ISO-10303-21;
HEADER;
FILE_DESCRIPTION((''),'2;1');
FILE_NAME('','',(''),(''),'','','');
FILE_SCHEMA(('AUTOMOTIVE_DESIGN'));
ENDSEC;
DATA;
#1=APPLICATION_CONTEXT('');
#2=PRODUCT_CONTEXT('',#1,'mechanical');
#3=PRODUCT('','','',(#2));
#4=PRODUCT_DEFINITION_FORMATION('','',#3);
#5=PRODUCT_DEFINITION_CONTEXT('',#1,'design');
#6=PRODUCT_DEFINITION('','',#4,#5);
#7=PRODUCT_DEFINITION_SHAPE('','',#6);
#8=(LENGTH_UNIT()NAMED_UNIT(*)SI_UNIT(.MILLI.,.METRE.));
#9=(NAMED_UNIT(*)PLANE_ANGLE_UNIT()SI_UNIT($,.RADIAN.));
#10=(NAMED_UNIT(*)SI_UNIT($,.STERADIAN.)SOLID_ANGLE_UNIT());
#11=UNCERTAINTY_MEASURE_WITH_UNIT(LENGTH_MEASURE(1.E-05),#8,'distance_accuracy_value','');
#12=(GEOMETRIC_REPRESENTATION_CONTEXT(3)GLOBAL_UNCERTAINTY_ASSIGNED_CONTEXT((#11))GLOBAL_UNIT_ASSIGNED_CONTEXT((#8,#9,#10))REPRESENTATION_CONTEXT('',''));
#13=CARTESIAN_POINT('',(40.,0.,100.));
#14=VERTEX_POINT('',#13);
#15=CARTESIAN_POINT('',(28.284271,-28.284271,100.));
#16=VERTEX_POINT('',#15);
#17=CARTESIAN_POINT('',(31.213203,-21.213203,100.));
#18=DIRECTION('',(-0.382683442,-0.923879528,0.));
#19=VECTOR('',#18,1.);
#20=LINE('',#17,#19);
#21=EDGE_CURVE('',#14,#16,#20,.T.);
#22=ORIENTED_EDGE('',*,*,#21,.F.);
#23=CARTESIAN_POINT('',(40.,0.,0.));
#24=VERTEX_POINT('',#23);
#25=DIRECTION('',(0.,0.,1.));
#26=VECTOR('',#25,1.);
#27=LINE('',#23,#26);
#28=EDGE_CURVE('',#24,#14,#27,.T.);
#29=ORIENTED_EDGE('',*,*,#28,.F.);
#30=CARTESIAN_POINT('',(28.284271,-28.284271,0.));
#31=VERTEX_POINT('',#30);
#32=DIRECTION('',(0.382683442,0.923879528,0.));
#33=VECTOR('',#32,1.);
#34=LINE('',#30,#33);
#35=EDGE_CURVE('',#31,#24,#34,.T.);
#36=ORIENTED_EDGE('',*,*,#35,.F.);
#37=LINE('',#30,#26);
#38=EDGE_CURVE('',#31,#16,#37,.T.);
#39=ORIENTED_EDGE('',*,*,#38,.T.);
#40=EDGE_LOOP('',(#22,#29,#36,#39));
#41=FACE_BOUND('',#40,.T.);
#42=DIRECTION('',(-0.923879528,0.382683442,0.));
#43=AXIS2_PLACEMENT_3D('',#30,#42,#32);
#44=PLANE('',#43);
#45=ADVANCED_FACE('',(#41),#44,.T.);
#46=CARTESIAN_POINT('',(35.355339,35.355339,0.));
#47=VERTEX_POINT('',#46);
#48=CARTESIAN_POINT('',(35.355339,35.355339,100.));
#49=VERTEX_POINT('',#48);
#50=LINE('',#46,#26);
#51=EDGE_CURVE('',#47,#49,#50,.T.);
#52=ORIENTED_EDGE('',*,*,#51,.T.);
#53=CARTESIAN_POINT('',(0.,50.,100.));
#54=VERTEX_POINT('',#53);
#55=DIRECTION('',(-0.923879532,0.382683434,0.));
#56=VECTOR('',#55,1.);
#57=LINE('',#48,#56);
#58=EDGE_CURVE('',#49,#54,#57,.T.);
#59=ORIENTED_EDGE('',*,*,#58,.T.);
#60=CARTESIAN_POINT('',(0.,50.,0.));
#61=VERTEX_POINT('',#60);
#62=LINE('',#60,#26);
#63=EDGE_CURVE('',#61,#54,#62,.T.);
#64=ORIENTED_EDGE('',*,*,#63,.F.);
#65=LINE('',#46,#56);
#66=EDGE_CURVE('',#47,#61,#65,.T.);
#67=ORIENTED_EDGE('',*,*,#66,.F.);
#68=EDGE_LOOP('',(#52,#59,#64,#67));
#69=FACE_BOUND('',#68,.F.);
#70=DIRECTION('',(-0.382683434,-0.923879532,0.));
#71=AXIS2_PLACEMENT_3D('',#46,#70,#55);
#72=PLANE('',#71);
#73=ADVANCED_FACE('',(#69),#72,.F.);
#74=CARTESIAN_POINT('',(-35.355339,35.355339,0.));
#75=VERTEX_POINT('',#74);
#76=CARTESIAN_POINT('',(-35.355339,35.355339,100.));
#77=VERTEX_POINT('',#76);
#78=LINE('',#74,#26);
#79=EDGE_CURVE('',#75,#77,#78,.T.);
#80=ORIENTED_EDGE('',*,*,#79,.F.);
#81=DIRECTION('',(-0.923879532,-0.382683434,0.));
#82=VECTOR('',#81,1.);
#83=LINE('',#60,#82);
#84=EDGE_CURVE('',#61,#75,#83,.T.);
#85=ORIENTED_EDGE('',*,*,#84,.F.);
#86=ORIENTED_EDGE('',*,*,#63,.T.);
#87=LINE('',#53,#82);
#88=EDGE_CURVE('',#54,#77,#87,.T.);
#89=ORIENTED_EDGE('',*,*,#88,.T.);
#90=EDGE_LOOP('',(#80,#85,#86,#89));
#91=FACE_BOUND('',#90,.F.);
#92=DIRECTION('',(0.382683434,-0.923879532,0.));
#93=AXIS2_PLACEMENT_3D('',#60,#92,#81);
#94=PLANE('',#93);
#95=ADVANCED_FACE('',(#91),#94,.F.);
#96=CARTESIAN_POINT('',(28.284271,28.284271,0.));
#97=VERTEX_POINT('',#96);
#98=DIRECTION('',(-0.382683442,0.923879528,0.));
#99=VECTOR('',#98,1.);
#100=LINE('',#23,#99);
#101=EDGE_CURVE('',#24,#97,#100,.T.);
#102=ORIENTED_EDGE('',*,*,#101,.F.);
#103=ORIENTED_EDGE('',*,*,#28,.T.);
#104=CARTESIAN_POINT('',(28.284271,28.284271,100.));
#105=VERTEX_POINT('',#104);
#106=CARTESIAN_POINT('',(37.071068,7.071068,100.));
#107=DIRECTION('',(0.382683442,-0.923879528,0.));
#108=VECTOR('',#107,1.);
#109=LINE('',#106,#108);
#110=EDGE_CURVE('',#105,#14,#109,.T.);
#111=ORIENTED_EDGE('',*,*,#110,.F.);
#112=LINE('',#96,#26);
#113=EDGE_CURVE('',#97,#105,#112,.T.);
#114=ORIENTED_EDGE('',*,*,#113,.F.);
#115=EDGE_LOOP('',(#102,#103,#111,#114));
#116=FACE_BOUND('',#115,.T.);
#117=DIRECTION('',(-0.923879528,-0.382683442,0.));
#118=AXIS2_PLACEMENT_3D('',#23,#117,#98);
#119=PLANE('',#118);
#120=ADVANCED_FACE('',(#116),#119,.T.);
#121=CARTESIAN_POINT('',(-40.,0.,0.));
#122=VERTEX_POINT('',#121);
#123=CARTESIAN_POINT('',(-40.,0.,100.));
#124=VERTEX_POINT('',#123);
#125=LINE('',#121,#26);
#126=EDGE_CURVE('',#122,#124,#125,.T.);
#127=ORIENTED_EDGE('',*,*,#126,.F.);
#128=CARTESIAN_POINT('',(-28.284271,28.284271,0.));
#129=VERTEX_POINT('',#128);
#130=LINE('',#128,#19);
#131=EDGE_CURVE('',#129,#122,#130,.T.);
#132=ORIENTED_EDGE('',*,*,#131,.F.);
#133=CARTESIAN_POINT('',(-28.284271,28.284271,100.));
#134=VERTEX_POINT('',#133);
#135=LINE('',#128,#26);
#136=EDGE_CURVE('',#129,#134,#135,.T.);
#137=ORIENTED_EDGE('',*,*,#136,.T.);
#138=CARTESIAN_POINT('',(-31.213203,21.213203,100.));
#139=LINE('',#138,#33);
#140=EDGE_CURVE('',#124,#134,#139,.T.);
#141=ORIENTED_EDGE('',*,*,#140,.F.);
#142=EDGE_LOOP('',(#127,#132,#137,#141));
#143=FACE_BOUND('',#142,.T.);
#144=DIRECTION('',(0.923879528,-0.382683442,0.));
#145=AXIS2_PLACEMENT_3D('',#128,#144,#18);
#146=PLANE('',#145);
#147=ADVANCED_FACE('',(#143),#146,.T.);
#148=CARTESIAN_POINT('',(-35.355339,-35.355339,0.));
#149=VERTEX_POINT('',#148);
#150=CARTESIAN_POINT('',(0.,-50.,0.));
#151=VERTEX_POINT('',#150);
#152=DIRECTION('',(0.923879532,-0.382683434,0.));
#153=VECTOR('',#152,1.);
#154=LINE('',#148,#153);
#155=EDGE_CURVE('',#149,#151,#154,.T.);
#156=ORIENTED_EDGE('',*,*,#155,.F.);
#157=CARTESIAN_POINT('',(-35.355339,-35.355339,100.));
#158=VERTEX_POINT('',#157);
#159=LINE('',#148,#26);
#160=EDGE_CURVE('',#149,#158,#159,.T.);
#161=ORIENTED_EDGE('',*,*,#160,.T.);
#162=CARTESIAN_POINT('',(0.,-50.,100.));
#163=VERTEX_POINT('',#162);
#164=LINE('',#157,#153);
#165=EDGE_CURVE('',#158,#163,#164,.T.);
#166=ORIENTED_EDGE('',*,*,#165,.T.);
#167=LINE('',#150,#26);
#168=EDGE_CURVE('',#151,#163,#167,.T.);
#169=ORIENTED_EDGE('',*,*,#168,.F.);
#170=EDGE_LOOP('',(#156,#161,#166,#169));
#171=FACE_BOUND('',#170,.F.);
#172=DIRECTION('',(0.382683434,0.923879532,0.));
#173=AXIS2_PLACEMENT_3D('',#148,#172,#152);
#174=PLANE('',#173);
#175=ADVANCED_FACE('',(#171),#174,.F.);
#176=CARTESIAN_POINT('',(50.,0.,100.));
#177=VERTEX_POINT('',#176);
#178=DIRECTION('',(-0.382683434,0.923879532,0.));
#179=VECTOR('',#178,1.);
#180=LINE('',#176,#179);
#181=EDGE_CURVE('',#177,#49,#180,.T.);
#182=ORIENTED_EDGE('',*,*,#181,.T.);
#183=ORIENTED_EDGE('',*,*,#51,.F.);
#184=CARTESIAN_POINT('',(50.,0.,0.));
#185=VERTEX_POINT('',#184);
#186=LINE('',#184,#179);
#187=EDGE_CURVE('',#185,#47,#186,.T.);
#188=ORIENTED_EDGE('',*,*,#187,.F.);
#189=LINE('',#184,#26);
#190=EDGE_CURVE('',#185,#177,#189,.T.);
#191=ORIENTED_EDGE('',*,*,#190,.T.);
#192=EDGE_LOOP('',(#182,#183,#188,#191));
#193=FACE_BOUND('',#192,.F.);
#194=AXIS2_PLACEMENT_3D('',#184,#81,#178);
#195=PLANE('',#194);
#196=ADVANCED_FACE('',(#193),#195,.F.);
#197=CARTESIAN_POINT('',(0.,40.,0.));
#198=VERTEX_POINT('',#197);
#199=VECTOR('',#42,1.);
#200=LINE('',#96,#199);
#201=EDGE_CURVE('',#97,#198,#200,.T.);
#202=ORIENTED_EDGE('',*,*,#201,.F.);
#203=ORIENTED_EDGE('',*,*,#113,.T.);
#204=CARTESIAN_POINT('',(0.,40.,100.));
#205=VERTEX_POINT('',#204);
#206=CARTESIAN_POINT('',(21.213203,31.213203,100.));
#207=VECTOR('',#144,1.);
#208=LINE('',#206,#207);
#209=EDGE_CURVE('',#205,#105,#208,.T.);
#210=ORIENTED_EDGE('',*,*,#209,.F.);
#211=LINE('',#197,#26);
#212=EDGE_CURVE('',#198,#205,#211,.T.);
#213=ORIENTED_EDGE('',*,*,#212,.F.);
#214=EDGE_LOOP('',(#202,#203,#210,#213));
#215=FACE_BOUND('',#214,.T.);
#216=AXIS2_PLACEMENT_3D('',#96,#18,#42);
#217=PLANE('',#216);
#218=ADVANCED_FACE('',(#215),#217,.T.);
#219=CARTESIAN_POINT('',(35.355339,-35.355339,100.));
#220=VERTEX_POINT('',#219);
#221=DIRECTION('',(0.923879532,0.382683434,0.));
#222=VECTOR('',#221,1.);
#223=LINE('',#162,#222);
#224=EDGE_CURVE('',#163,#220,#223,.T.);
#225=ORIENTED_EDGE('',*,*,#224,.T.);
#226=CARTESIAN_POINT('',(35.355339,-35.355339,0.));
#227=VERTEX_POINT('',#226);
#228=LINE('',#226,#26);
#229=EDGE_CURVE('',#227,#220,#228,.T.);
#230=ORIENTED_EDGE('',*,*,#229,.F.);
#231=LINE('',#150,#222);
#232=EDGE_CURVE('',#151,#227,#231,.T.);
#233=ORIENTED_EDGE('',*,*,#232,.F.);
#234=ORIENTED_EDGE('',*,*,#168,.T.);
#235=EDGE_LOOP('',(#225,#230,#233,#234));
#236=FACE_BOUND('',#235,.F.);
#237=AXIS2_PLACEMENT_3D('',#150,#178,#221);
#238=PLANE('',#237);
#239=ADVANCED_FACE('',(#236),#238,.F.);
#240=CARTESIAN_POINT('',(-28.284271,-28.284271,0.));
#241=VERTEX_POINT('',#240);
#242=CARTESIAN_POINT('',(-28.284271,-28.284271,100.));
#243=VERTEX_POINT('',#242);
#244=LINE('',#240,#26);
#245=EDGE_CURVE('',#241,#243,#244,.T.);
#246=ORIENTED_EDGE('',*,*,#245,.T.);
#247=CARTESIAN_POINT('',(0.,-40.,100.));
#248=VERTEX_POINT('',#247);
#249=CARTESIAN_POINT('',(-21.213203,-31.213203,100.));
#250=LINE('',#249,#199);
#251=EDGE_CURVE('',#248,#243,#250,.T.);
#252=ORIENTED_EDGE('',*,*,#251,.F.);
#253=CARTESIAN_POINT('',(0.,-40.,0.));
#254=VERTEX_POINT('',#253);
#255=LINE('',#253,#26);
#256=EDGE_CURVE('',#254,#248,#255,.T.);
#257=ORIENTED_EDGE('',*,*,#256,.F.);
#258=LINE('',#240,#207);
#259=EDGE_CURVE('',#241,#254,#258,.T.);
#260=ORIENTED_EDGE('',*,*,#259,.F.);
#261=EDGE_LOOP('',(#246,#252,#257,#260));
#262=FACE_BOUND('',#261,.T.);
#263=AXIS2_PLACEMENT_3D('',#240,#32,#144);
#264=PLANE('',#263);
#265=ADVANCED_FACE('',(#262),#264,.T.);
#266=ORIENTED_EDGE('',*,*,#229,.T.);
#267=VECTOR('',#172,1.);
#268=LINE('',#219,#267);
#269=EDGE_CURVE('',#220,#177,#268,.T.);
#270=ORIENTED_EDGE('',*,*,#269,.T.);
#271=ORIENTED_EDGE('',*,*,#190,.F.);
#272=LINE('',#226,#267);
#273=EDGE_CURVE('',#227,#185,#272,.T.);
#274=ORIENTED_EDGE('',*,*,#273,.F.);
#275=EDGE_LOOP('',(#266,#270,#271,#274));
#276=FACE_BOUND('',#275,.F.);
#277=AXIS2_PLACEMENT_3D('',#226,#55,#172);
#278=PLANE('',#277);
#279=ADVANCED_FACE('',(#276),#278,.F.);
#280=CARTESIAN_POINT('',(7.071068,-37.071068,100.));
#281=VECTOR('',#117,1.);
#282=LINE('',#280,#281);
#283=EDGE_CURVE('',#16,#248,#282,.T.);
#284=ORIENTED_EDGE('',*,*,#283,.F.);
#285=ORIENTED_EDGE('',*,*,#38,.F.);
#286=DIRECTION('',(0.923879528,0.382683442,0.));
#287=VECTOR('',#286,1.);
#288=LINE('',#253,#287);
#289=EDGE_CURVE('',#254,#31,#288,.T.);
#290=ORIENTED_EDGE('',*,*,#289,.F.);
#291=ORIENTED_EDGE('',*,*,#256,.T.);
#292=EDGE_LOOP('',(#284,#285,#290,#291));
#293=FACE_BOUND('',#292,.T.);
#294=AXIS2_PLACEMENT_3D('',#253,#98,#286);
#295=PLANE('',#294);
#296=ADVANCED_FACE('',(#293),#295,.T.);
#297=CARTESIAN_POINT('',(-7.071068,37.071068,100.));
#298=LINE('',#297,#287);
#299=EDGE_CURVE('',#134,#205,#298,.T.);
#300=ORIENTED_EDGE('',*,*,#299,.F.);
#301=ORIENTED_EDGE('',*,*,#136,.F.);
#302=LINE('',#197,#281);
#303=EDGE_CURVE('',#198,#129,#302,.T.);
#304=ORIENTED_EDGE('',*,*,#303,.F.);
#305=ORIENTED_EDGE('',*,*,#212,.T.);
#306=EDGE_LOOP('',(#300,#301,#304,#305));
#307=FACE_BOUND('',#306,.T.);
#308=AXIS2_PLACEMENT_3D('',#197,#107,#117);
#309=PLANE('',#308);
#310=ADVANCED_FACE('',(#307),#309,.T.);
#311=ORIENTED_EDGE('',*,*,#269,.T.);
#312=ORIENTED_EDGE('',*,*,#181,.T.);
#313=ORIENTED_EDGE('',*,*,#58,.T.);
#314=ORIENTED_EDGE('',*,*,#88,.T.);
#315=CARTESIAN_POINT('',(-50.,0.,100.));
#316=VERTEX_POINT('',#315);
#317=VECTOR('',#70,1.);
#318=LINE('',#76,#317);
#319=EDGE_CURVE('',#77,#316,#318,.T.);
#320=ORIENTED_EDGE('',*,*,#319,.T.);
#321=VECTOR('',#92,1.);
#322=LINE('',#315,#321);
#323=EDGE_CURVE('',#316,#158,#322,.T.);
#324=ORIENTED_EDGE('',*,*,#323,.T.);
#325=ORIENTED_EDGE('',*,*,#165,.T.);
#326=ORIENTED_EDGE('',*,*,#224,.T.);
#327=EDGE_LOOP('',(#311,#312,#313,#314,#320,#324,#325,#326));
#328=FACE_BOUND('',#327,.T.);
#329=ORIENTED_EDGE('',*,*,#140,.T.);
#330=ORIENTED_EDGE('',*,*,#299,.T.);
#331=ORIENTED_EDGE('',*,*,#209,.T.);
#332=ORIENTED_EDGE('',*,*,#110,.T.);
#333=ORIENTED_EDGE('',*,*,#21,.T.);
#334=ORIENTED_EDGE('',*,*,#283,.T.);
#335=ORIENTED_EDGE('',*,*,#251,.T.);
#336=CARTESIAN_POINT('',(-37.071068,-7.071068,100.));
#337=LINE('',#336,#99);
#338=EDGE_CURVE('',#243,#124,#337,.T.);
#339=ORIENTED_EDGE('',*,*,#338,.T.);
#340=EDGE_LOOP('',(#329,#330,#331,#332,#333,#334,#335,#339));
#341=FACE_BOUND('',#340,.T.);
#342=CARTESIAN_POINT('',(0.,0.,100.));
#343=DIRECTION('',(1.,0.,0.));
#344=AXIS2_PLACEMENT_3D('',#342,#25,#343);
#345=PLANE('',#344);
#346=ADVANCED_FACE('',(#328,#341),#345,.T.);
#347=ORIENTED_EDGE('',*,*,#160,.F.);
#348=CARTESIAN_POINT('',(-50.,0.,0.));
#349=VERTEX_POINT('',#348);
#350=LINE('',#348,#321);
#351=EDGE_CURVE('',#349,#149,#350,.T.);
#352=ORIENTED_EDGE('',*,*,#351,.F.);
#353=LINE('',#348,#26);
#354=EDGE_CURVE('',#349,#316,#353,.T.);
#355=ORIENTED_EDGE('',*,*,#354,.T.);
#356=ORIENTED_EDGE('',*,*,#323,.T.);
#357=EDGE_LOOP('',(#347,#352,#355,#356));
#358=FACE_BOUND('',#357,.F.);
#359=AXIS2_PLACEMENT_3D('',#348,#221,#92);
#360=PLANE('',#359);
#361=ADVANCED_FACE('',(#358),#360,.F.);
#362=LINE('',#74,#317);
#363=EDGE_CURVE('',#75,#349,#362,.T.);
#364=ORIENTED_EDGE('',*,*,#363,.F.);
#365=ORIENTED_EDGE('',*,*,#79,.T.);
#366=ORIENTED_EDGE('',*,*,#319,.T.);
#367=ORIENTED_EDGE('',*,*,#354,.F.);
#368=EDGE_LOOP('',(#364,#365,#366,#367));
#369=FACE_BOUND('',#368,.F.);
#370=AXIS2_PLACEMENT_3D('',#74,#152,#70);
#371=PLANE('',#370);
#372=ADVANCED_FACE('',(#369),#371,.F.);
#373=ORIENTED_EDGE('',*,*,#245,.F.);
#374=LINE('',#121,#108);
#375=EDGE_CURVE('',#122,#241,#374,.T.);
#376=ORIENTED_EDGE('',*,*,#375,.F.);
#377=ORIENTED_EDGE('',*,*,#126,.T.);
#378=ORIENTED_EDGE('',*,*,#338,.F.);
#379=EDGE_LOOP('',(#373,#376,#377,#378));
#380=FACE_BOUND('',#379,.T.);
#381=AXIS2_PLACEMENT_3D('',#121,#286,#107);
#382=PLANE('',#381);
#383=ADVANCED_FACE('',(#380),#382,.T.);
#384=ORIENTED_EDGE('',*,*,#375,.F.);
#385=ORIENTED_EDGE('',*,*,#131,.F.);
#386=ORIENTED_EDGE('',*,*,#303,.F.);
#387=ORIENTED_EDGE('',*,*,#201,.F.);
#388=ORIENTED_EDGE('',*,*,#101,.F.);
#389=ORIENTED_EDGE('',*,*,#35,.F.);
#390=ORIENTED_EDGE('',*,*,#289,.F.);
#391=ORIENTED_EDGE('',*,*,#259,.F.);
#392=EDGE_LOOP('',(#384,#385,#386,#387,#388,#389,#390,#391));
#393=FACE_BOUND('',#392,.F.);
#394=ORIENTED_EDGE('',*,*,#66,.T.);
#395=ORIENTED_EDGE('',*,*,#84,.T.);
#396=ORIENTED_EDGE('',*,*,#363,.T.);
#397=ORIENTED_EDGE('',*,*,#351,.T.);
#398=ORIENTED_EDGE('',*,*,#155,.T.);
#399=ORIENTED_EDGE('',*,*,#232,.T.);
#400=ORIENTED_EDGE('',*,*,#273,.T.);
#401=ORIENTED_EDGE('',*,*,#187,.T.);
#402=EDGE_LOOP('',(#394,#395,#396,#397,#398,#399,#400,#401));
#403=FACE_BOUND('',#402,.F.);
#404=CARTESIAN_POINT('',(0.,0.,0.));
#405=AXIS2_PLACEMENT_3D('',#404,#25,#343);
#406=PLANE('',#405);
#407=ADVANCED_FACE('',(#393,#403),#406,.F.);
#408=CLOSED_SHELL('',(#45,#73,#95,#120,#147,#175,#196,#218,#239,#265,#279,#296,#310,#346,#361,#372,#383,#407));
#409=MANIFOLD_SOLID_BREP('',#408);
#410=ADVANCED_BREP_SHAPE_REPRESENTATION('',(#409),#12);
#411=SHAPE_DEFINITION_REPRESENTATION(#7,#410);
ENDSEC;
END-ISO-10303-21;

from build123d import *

# Parameters (mm, degrees)
F1_DEPTH = 100
F3_DEPTH = 105.41


with BuildPart() as f1:
    # F0 (on Top) → F1 (new body)
    with BuildSketch(Plane.XY):
        Polygon((35.355339, 35.355339), (0, 50), (-35.355339, 35.355339), (-50, 0), (-35.355339, -35.355339), (0, -50), (35.355339, -35.355339), (50, 0), align=None)
    extrude(amount=F1_DEPTH)

    # F2 (on Top) → F3 (cut)
    with BuildSketch(Plane.XY):
        Polygon((-40, 0), (-28.284271, -28.284271), (0, -40), (28.284271, -28.284271), (40, 0), (28.284271, 28.284271), (0, 40), (-28.284271, 28.284271), align=None)
    extrude(amount=F3_DEPTH, mode=Mode.SUBTRACT)


solid = f1.part
